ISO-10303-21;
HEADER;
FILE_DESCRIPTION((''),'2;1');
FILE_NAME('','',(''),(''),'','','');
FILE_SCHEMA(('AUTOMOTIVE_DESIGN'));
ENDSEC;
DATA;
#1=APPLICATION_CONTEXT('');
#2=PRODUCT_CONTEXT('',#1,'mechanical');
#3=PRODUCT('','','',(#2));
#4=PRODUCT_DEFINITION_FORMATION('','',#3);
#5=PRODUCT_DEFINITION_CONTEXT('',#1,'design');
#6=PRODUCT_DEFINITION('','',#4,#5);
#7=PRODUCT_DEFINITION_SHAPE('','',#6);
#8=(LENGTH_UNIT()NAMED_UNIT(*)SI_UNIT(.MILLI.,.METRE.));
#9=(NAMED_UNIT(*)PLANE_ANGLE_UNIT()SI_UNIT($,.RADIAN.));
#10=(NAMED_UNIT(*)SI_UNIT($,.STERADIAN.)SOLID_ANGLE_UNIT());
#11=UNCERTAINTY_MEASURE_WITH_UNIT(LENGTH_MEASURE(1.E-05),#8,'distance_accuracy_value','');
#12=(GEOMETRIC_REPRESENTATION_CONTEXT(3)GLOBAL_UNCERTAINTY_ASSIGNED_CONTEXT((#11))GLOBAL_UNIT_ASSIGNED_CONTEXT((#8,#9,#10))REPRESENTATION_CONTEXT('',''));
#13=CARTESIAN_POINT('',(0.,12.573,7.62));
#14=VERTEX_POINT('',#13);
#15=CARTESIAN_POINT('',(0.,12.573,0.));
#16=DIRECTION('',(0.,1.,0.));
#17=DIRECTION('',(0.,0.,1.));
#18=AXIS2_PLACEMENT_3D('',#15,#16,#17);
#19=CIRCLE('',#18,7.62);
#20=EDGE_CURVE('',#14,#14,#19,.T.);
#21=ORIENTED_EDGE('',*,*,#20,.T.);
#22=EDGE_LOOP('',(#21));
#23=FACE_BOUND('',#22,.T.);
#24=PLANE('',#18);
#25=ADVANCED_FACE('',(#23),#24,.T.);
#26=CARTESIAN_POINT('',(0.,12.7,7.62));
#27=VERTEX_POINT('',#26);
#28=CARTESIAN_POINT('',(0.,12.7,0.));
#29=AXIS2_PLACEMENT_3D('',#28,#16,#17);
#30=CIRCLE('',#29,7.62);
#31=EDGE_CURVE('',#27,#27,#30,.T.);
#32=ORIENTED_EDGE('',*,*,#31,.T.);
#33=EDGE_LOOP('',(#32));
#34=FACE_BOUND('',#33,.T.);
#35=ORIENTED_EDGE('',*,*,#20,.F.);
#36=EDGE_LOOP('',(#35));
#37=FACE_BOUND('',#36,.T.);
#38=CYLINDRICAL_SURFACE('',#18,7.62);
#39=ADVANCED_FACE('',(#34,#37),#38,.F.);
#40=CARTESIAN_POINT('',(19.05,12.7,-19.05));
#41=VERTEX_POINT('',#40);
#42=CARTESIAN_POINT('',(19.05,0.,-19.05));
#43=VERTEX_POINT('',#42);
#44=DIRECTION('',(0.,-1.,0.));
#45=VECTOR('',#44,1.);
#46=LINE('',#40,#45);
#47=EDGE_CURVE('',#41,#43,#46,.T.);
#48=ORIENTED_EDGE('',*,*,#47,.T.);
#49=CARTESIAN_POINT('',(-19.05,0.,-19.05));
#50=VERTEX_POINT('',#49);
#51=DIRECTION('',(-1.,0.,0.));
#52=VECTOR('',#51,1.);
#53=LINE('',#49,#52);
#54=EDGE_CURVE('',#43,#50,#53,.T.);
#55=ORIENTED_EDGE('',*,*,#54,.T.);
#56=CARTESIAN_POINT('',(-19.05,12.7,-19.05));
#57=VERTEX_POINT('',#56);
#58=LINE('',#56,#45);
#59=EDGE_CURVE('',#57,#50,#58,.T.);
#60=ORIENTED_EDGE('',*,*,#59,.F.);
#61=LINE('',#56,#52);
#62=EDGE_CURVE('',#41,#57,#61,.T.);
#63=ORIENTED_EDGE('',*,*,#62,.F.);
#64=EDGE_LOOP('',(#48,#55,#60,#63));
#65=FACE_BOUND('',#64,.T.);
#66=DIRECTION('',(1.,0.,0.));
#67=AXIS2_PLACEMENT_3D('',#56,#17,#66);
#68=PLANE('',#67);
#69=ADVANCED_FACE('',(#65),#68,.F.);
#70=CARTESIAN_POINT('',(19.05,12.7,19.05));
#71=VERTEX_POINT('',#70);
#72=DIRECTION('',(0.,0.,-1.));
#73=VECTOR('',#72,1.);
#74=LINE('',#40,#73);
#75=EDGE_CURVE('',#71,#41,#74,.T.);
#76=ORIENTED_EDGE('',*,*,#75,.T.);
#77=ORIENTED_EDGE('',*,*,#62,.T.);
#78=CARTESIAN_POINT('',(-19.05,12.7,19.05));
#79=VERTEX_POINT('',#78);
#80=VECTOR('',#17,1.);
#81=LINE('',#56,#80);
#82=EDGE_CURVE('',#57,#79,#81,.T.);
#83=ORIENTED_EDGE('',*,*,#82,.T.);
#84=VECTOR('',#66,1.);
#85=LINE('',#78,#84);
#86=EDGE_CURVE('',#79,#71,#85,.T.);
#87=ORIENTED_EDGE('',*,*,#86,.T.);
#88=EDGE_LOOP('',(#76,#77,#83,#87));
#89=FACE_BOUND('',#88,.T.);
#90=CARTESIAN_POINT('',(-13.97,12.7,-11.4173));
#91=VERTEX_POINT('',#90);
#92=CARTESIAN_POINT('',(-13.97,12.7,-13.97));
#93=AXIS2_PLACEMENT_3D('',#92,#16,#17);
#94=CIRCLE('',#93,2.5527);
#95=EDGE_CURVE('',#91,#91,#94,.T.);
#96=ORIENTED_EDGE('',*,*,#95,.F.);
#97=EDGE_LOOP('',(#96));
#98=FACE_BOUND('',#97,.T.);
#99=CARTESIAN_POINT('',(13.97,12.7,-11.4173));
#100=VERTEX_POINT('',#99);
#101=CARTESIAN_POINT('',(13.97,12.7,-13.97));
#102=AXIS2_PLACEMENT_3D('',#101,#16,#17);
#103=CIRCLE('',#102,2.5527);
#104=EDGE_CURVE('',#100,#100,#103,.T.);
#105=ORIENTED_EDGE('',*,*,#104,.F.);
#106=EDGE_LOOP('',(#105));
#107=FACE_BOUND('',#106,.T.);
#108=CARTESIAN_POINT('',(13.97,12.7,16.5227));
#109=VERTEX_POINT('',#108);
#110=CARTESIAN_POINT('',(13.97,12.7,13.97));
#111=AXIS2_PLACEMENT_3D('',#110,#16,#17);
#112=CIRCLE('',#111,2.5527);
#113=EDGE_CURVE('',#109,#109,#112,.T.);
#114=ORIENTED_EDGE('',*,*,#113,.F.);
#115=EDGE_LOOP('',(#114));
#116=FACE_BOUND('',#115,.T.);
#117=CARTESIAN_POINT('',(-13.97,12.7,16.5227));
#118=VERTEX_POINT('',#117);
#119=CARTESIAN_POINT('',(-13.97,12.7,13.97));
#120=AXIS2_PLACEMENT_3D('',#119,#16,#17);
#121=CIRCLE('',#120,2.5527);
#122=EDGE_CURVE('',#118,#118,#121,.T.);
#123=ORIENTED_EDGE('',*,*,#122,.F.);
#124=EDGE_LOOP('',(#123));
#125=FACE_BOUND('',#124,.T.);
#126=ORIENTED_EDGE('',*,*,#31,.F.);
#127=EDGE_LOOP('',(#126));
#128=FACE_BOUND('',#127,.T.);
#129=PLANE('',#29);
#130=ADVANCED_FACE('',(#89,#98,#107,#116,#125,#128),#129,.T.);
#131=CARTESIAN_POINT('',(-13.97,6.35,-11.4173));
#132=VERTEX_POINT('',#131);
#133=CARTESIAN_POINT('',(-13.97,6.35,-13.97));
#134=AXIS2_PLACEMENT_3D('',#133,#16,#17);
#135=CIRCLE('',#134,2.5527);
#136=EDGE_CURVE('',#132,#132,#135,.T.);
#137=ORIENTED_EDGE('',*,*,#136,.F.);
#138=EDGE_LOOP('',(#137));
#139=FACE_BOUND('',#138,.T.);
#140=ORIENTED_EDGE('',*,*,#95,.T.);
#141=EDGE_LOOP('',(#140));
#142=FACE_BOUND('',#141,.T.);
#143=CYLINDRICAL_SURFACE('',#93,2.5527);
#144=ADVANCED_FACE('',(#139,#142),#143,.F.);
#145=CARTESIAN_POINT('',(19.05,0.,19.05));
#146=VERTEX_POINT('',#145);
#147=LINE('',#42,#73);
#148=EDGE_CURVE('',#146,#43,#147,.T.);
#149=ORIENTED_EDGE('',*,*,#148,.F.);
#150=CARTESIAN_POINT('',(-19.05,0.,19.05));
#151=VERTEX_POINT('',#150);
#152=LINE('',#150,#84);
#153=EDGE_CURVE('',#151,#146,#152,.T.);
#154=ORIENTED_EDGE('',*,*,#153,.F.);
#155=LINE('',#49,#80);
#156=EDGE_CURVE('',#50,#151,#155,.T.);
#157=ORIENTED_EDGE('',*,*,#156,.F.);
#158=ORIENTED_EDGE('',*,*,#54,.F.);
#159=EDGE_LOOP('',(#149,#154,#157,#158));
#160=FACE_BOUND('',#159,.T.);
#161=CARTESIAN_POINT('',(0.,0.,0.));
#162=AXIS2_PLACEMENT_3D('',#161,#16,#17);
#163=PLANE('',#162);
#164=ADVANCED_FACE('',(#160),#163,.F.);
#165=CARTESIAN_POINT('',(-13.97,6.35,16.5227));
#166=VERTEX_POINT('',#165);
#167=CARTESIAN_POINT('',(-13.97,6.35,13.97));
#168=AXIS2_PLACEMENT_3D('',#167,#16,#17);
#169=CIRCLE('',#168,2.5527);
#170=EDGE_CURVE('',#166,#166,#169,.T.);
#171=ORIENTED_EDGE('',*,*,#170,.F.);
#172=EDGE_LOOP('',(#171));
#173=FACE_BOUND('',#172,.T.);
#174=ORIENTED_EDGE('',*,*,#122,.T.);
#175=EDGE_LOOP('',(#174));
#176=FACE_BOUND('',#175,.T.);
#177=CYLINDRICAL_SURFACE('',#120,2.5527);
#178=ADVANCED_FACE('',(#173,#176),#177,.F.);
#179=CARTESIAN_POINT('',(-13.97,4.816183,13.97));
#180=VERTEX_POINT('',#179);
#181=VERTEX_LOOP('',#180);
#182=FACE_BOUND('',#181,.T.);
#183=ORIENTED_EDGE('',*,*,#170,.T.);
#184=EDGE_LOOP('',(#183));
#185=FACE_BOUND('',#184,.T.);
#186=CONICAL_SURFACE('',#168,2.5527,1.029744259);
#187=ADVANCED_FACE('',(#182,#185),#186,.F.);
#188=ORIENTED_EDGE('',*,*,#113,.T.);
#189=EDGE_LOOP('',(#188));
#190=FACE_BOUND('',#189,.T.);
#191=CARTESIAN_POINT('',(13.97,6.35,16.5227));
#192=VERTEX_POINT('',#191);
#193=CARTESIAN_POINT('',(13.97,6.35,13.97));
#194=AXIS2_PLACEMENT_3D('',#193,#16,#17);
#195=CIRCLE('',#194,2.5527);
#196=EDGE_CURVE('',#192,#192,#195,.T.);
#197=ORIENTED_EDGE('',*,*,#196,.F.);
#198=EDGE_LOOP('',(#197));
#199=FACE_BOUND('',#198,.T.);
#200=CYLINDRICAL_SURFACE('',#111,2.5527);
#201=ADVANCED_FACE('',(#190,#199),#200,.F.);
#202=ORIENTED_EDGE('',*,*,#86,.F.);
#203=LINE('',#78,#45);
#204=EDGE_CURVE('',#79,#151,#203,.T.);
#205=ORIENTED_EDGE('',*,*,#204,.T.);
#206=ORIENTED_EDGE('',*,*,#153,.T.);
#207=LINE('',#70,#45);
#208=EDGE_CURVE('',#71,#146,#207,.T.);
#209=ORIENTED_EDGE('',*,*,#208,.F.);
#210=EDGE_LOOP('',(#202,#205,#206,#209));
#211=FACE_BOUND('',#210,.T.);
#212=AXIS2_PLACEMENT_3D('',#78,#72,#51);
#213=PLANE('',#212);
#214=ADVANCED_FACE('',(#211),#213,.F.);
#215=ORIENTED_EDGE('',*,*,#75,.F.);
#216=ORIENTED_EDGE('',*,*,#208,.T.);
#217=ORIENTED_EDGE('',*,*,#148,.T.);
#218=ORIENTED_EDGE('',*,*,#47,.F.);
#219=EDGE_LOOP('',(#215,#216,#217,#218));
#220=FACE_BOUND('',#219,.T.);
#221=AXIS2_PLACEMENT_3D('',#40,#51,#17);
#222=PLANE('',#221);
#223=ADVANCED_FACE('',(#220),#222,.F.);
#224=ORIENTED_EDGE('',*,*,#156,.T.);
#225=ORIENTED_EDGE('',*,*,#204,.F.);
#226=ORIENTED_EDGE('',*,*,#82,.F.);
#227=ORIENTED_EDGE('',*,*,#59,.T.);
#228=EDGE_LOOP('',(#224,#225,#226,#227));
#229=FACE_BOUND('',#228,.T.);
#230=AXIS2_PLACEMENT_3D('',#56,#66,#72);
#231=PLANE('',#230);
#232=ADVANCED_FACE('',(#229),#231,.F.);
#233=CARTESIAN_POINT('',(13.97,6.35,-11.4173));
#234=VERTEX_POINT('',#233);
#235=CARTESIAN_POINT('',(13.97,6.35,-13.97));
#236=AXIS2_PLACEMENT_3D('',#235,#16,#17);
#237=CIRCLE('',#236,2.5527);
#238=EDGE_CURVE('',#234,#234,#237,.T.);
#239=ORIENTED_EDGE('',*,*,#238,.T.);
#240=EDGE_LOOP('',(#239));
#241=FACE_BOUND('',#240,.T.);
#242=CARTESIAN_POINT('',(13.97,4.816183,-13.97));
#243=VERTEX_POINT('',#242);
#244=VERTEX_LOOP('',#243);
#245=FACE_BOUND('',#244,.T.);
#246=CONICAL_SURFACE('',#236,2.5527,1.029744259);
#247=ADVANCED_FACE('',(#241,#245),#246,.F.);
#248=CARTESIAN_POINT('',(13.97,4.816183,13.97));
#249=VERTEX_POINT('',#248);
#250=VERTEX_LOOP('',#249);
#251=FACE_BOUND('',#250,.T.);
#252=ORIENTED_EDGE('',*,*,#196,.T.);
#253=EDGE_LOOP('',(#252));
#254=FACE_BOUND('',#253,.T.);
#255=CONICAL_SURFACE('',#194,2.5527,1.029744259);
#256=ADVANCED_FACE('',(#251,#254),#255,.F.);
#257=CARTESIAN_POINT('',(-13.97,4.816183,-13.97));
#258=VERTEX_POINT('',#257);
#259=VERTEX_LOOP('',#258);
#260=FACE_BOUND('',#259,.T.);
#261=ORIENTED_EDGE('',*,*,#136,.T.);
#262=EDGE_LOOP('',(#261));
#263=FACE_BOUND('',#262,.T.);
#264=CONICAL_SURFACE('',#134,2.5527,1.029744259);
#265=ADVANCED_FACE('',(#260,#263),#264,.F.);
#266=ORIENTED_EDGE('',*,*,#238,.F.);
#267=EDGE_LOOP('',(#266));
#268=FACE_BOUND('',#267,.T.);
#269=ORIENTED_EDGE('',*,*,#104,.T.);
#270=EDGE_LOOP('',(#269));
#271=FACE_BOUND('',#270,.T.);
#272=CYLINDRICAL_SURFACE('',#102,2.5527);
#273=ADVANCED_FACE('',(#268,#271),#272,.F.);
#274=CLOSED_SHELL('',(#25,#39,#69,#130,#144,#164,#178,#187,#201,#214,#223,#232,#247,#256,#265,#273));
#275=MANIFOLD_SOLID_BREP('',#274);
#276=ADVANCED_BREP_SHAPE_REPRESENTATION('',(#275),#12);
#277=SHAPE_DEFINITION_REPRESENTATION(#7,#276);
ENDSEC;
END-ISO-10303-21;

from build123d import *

# Parameters (mm, degrees)
SKETCH1_W                       = 38.1
SKETCH1_H                       = 38.1
BOSS_EXTRUDE1_DEPTH             = 12.7
SKETCH2_R                       = 7.62
CUT_EXTRUDE1_DEPTH              = 0.127
TAP_DRILL_FOR_1_4_20_TAP2_D     = 5.1054
TAP_DRILL_FOR_1_4_20_TAP2_DEPTH = 6.35
TAP_DRILL_FOR_1_4_20_TAP2_TIP   = 1.533816902


with BuildPart() as part:
    # Sketch1 → Boss-Extrude1 (new body)
    with BuildSketch(Plane(origin=(0, 0, 0), x_dir=(1, 0, 0), z_dir=(0, 1, 0))):
        Rectangle(SKETCH1_W, SKETCH1_H)
    extrude(amount=BOSS_EXTRUDE1_DEPTH)

    # Sketch2 → Cut-Extrude1 (cut)
    with BuildSketch(Plane(origin=(0, 12.7, 0), x_dir=(1, 0, 0), z_dir=(0, 1, 0))):
        with Locations(Location((0, 0, 0), (0, 0, 270))):
            Circle(SKETCH2_R)
    extrude(amount=-CUT_EXTRUDE1_DEPTH, mode=Mode.SUBTRACT)

    # Tap Drill for 1/4-20 Tap2
    with Locations(Plane(origin=(0, 12.7, 0), x_dir=(1, 0, 0), z_dir=(0, 1, 0))):
        with Locations((-13.97, 13.97), (13.97, 13.97), (13.97, -13.97), (-13.97, -13.97)):
            Hole(TAP_DRILL_FOR_1_4_20_TAP2_D / 2, depth=TAP_DRILL_FOR_1_4_20_TAP2_DEPTH)
            with Locations((0, 0, -(TAP_DRILL_FOR_1_4_20_TAP2_DEPTH + TAP_DRILL_FOR_1_4_20_TAP2_TIP / 2))):  # 118° drill point
                Cone(0, TAP_DRILL_FOR_1_4_20_TAP2_D / 2, TAP_DRILL_FOR_1_4_20_TAP2_TIP, mode=Mode.SUBTRACT)


solid = part.part
